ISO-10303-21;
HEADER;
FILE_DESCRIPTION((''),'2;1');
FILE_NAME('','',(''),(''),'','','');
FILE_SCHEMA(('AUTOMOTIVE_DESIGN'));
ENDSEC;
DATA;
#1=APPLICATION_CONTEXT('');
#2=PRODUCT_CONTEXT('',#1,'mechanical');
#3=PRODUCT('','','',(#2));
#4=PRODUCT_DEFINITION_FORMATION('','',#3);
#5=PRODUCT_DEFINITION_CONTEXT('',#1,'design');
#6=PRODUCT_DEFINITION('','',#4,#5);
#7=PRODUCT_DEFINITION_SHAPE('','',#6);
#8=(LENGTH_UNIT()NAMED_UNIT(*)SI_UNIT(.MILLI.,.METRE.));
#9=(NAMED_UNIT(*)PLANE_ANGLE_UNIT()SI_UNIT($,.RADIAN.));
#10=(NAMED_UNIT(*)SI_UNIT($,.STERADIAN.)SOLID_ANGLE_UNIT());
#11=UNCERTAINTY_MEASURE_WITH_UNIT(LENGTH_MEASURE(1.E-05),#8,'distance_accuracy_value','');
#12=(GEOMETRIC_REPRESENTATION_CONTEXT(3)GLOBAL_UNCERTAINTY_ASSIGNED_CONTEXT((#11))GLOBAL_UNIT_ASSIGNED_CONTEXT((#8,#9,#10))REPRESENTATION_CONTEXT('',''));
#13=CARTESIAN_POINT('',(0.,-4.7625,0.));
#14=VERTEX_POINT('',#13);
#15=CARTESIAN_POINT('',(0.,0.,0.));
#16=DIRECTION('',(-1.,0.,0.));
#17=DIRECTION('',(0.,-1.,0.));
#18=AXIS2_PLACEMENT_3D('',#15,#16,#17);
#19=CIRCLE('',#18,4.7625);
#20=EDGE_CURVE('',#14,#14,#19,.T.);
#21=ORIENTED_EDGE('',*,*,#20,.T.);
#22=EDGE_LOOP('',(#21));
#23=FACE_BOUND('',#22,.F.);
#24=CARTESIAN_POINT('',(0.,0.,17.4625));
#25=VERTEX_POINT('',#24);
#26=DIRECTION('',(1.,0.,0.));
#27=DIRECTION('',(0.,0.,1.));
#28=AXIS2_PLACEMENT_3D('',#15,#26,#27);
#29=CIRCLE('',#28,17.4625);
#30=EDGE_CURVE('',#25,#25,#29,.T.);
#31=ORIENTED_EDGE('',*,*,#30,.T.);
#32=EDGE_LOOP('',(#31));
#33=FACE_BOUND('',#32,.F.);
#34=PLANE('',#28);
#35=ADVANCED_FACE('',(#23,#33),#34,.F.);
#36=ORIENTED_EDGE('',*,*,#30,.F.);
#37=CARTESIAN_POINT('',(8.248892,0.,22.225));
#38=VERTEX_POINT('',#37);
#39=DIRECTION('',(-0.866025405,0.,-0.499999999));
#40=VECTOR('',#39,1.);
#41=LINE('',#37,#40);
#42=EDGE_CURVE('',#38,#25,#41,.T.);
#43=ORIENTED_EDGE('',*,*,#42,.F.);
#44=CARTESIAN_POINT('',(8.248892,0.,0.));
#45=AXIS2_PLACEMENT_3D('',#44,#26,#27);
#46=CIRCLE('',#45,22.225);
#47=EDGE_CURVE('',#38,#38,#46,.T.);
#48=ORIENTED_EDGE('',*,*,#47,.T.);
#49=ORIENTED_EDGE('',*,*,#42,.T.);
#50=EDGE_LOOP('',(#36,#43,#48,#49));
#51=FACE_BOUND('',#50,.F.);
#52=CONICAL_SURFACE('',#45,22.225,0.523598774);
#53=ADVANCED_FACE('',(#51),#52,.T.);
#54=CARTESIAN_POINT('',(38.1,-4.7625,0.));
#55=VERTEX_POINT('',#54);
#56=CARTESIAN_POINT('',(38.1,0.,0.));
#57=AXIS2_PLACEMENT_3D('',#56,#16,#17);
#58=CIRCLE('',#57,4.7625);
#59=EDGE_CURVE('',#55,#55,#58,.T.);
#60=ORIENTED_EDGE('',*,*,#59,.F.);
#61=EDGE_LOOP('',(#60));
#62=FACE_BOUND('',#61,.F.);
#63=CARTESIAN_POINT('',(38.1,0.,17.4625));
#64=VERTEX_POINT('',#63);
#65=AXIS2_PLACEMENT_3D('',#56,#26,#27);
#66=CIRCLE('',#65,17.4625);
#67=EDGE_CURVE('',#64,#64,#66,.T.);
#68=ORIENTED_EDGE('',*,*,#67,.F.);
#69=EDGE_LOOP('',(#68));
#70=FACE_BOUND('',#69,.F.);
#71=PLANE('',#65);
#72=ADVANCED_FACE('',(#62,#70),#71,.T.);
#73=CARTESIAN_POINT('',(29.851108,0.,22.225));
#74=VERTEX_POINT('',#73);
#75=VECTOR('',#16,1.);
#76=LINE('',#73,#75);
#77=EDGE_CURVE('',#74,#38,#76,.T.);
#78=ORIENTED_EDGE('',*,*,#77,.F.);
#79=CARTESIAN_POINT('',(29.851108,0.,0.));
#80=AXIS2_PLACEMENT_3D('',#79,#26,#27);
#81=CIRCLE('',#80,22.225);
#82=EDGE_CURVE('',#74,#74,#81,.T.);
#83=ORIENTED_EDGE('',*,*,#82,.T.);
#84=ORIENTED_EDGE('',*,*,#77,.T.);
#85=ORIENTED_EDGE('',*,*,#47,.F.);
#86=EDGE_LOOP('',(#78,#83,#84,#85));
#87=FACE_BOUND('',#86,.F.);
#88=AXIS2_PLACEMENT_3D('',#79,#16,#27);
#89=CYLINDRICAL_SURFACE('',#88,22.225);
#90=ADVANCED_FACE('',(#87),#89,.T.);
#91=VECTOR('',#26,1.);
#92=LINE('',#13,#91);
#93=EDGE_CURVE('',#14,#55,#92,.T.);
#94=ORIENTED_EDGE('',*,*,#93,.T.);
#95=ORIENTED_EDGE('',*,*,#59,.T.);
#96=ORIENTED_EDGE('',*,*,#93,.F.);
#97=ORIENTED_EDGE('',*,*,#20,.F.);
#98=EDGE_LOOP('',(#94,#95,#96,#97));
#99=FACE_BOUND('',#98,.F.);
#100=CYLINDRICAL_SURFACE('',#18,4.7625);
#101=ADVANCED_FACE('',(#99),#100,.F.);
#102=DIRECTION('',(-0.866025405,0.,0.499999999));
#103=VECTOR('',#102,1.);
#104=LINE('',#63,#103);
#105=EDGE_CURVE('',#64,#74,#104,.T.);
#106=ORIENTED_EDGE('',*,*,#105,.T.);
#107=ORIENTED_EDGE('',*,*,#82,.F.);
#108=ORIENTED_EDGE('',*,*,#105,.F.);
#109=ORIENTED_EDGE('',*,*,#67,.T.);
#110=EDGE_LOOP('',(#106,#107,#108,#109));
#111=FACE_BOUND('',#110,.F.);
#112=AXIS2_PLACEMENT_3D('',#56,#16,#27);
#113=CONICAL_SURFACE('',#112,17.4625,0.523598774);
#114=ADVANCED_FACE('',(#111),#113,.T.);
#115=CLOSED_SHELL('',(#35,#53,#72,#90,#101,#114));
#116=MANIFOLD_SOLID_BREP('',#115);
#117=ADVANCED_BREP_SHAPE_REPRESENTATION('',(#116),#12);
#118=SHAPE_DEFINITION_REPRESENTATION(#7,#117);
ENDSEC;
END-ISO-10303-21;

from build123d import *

# Parameters (mm, degrees)
F2_R     = 4.7625
F3_DEPTH = 38.101


with BuildPart() as f1:
    # F0 (on Front) → F1 (revolve)
    with BuildSketch(Plane.XZ):
        Polygon((0, 17.4625), (0, 0), (38.1, 0), (38.1, 17.4625), (29.851108, 22.225), (8.248892, 22.225), align=None)
    revolve(axis=Axis((19.05, 0, 0), (1, 0, 0)))

    # F2 (on face) → F3 (cut, through all)
    with BuildSketch(Plane(origin=(0, 0, 0), x_dir=(0, -1, 0), z_dir=(-1, 0, 0))):
        Circle(F2_R)
        with Locations((0, -38.1)):
            Circle(F2_R)
    extrude(amount=-F3_DEPTH, mode=Mode.SUBTRACT)


solid = f1.part
